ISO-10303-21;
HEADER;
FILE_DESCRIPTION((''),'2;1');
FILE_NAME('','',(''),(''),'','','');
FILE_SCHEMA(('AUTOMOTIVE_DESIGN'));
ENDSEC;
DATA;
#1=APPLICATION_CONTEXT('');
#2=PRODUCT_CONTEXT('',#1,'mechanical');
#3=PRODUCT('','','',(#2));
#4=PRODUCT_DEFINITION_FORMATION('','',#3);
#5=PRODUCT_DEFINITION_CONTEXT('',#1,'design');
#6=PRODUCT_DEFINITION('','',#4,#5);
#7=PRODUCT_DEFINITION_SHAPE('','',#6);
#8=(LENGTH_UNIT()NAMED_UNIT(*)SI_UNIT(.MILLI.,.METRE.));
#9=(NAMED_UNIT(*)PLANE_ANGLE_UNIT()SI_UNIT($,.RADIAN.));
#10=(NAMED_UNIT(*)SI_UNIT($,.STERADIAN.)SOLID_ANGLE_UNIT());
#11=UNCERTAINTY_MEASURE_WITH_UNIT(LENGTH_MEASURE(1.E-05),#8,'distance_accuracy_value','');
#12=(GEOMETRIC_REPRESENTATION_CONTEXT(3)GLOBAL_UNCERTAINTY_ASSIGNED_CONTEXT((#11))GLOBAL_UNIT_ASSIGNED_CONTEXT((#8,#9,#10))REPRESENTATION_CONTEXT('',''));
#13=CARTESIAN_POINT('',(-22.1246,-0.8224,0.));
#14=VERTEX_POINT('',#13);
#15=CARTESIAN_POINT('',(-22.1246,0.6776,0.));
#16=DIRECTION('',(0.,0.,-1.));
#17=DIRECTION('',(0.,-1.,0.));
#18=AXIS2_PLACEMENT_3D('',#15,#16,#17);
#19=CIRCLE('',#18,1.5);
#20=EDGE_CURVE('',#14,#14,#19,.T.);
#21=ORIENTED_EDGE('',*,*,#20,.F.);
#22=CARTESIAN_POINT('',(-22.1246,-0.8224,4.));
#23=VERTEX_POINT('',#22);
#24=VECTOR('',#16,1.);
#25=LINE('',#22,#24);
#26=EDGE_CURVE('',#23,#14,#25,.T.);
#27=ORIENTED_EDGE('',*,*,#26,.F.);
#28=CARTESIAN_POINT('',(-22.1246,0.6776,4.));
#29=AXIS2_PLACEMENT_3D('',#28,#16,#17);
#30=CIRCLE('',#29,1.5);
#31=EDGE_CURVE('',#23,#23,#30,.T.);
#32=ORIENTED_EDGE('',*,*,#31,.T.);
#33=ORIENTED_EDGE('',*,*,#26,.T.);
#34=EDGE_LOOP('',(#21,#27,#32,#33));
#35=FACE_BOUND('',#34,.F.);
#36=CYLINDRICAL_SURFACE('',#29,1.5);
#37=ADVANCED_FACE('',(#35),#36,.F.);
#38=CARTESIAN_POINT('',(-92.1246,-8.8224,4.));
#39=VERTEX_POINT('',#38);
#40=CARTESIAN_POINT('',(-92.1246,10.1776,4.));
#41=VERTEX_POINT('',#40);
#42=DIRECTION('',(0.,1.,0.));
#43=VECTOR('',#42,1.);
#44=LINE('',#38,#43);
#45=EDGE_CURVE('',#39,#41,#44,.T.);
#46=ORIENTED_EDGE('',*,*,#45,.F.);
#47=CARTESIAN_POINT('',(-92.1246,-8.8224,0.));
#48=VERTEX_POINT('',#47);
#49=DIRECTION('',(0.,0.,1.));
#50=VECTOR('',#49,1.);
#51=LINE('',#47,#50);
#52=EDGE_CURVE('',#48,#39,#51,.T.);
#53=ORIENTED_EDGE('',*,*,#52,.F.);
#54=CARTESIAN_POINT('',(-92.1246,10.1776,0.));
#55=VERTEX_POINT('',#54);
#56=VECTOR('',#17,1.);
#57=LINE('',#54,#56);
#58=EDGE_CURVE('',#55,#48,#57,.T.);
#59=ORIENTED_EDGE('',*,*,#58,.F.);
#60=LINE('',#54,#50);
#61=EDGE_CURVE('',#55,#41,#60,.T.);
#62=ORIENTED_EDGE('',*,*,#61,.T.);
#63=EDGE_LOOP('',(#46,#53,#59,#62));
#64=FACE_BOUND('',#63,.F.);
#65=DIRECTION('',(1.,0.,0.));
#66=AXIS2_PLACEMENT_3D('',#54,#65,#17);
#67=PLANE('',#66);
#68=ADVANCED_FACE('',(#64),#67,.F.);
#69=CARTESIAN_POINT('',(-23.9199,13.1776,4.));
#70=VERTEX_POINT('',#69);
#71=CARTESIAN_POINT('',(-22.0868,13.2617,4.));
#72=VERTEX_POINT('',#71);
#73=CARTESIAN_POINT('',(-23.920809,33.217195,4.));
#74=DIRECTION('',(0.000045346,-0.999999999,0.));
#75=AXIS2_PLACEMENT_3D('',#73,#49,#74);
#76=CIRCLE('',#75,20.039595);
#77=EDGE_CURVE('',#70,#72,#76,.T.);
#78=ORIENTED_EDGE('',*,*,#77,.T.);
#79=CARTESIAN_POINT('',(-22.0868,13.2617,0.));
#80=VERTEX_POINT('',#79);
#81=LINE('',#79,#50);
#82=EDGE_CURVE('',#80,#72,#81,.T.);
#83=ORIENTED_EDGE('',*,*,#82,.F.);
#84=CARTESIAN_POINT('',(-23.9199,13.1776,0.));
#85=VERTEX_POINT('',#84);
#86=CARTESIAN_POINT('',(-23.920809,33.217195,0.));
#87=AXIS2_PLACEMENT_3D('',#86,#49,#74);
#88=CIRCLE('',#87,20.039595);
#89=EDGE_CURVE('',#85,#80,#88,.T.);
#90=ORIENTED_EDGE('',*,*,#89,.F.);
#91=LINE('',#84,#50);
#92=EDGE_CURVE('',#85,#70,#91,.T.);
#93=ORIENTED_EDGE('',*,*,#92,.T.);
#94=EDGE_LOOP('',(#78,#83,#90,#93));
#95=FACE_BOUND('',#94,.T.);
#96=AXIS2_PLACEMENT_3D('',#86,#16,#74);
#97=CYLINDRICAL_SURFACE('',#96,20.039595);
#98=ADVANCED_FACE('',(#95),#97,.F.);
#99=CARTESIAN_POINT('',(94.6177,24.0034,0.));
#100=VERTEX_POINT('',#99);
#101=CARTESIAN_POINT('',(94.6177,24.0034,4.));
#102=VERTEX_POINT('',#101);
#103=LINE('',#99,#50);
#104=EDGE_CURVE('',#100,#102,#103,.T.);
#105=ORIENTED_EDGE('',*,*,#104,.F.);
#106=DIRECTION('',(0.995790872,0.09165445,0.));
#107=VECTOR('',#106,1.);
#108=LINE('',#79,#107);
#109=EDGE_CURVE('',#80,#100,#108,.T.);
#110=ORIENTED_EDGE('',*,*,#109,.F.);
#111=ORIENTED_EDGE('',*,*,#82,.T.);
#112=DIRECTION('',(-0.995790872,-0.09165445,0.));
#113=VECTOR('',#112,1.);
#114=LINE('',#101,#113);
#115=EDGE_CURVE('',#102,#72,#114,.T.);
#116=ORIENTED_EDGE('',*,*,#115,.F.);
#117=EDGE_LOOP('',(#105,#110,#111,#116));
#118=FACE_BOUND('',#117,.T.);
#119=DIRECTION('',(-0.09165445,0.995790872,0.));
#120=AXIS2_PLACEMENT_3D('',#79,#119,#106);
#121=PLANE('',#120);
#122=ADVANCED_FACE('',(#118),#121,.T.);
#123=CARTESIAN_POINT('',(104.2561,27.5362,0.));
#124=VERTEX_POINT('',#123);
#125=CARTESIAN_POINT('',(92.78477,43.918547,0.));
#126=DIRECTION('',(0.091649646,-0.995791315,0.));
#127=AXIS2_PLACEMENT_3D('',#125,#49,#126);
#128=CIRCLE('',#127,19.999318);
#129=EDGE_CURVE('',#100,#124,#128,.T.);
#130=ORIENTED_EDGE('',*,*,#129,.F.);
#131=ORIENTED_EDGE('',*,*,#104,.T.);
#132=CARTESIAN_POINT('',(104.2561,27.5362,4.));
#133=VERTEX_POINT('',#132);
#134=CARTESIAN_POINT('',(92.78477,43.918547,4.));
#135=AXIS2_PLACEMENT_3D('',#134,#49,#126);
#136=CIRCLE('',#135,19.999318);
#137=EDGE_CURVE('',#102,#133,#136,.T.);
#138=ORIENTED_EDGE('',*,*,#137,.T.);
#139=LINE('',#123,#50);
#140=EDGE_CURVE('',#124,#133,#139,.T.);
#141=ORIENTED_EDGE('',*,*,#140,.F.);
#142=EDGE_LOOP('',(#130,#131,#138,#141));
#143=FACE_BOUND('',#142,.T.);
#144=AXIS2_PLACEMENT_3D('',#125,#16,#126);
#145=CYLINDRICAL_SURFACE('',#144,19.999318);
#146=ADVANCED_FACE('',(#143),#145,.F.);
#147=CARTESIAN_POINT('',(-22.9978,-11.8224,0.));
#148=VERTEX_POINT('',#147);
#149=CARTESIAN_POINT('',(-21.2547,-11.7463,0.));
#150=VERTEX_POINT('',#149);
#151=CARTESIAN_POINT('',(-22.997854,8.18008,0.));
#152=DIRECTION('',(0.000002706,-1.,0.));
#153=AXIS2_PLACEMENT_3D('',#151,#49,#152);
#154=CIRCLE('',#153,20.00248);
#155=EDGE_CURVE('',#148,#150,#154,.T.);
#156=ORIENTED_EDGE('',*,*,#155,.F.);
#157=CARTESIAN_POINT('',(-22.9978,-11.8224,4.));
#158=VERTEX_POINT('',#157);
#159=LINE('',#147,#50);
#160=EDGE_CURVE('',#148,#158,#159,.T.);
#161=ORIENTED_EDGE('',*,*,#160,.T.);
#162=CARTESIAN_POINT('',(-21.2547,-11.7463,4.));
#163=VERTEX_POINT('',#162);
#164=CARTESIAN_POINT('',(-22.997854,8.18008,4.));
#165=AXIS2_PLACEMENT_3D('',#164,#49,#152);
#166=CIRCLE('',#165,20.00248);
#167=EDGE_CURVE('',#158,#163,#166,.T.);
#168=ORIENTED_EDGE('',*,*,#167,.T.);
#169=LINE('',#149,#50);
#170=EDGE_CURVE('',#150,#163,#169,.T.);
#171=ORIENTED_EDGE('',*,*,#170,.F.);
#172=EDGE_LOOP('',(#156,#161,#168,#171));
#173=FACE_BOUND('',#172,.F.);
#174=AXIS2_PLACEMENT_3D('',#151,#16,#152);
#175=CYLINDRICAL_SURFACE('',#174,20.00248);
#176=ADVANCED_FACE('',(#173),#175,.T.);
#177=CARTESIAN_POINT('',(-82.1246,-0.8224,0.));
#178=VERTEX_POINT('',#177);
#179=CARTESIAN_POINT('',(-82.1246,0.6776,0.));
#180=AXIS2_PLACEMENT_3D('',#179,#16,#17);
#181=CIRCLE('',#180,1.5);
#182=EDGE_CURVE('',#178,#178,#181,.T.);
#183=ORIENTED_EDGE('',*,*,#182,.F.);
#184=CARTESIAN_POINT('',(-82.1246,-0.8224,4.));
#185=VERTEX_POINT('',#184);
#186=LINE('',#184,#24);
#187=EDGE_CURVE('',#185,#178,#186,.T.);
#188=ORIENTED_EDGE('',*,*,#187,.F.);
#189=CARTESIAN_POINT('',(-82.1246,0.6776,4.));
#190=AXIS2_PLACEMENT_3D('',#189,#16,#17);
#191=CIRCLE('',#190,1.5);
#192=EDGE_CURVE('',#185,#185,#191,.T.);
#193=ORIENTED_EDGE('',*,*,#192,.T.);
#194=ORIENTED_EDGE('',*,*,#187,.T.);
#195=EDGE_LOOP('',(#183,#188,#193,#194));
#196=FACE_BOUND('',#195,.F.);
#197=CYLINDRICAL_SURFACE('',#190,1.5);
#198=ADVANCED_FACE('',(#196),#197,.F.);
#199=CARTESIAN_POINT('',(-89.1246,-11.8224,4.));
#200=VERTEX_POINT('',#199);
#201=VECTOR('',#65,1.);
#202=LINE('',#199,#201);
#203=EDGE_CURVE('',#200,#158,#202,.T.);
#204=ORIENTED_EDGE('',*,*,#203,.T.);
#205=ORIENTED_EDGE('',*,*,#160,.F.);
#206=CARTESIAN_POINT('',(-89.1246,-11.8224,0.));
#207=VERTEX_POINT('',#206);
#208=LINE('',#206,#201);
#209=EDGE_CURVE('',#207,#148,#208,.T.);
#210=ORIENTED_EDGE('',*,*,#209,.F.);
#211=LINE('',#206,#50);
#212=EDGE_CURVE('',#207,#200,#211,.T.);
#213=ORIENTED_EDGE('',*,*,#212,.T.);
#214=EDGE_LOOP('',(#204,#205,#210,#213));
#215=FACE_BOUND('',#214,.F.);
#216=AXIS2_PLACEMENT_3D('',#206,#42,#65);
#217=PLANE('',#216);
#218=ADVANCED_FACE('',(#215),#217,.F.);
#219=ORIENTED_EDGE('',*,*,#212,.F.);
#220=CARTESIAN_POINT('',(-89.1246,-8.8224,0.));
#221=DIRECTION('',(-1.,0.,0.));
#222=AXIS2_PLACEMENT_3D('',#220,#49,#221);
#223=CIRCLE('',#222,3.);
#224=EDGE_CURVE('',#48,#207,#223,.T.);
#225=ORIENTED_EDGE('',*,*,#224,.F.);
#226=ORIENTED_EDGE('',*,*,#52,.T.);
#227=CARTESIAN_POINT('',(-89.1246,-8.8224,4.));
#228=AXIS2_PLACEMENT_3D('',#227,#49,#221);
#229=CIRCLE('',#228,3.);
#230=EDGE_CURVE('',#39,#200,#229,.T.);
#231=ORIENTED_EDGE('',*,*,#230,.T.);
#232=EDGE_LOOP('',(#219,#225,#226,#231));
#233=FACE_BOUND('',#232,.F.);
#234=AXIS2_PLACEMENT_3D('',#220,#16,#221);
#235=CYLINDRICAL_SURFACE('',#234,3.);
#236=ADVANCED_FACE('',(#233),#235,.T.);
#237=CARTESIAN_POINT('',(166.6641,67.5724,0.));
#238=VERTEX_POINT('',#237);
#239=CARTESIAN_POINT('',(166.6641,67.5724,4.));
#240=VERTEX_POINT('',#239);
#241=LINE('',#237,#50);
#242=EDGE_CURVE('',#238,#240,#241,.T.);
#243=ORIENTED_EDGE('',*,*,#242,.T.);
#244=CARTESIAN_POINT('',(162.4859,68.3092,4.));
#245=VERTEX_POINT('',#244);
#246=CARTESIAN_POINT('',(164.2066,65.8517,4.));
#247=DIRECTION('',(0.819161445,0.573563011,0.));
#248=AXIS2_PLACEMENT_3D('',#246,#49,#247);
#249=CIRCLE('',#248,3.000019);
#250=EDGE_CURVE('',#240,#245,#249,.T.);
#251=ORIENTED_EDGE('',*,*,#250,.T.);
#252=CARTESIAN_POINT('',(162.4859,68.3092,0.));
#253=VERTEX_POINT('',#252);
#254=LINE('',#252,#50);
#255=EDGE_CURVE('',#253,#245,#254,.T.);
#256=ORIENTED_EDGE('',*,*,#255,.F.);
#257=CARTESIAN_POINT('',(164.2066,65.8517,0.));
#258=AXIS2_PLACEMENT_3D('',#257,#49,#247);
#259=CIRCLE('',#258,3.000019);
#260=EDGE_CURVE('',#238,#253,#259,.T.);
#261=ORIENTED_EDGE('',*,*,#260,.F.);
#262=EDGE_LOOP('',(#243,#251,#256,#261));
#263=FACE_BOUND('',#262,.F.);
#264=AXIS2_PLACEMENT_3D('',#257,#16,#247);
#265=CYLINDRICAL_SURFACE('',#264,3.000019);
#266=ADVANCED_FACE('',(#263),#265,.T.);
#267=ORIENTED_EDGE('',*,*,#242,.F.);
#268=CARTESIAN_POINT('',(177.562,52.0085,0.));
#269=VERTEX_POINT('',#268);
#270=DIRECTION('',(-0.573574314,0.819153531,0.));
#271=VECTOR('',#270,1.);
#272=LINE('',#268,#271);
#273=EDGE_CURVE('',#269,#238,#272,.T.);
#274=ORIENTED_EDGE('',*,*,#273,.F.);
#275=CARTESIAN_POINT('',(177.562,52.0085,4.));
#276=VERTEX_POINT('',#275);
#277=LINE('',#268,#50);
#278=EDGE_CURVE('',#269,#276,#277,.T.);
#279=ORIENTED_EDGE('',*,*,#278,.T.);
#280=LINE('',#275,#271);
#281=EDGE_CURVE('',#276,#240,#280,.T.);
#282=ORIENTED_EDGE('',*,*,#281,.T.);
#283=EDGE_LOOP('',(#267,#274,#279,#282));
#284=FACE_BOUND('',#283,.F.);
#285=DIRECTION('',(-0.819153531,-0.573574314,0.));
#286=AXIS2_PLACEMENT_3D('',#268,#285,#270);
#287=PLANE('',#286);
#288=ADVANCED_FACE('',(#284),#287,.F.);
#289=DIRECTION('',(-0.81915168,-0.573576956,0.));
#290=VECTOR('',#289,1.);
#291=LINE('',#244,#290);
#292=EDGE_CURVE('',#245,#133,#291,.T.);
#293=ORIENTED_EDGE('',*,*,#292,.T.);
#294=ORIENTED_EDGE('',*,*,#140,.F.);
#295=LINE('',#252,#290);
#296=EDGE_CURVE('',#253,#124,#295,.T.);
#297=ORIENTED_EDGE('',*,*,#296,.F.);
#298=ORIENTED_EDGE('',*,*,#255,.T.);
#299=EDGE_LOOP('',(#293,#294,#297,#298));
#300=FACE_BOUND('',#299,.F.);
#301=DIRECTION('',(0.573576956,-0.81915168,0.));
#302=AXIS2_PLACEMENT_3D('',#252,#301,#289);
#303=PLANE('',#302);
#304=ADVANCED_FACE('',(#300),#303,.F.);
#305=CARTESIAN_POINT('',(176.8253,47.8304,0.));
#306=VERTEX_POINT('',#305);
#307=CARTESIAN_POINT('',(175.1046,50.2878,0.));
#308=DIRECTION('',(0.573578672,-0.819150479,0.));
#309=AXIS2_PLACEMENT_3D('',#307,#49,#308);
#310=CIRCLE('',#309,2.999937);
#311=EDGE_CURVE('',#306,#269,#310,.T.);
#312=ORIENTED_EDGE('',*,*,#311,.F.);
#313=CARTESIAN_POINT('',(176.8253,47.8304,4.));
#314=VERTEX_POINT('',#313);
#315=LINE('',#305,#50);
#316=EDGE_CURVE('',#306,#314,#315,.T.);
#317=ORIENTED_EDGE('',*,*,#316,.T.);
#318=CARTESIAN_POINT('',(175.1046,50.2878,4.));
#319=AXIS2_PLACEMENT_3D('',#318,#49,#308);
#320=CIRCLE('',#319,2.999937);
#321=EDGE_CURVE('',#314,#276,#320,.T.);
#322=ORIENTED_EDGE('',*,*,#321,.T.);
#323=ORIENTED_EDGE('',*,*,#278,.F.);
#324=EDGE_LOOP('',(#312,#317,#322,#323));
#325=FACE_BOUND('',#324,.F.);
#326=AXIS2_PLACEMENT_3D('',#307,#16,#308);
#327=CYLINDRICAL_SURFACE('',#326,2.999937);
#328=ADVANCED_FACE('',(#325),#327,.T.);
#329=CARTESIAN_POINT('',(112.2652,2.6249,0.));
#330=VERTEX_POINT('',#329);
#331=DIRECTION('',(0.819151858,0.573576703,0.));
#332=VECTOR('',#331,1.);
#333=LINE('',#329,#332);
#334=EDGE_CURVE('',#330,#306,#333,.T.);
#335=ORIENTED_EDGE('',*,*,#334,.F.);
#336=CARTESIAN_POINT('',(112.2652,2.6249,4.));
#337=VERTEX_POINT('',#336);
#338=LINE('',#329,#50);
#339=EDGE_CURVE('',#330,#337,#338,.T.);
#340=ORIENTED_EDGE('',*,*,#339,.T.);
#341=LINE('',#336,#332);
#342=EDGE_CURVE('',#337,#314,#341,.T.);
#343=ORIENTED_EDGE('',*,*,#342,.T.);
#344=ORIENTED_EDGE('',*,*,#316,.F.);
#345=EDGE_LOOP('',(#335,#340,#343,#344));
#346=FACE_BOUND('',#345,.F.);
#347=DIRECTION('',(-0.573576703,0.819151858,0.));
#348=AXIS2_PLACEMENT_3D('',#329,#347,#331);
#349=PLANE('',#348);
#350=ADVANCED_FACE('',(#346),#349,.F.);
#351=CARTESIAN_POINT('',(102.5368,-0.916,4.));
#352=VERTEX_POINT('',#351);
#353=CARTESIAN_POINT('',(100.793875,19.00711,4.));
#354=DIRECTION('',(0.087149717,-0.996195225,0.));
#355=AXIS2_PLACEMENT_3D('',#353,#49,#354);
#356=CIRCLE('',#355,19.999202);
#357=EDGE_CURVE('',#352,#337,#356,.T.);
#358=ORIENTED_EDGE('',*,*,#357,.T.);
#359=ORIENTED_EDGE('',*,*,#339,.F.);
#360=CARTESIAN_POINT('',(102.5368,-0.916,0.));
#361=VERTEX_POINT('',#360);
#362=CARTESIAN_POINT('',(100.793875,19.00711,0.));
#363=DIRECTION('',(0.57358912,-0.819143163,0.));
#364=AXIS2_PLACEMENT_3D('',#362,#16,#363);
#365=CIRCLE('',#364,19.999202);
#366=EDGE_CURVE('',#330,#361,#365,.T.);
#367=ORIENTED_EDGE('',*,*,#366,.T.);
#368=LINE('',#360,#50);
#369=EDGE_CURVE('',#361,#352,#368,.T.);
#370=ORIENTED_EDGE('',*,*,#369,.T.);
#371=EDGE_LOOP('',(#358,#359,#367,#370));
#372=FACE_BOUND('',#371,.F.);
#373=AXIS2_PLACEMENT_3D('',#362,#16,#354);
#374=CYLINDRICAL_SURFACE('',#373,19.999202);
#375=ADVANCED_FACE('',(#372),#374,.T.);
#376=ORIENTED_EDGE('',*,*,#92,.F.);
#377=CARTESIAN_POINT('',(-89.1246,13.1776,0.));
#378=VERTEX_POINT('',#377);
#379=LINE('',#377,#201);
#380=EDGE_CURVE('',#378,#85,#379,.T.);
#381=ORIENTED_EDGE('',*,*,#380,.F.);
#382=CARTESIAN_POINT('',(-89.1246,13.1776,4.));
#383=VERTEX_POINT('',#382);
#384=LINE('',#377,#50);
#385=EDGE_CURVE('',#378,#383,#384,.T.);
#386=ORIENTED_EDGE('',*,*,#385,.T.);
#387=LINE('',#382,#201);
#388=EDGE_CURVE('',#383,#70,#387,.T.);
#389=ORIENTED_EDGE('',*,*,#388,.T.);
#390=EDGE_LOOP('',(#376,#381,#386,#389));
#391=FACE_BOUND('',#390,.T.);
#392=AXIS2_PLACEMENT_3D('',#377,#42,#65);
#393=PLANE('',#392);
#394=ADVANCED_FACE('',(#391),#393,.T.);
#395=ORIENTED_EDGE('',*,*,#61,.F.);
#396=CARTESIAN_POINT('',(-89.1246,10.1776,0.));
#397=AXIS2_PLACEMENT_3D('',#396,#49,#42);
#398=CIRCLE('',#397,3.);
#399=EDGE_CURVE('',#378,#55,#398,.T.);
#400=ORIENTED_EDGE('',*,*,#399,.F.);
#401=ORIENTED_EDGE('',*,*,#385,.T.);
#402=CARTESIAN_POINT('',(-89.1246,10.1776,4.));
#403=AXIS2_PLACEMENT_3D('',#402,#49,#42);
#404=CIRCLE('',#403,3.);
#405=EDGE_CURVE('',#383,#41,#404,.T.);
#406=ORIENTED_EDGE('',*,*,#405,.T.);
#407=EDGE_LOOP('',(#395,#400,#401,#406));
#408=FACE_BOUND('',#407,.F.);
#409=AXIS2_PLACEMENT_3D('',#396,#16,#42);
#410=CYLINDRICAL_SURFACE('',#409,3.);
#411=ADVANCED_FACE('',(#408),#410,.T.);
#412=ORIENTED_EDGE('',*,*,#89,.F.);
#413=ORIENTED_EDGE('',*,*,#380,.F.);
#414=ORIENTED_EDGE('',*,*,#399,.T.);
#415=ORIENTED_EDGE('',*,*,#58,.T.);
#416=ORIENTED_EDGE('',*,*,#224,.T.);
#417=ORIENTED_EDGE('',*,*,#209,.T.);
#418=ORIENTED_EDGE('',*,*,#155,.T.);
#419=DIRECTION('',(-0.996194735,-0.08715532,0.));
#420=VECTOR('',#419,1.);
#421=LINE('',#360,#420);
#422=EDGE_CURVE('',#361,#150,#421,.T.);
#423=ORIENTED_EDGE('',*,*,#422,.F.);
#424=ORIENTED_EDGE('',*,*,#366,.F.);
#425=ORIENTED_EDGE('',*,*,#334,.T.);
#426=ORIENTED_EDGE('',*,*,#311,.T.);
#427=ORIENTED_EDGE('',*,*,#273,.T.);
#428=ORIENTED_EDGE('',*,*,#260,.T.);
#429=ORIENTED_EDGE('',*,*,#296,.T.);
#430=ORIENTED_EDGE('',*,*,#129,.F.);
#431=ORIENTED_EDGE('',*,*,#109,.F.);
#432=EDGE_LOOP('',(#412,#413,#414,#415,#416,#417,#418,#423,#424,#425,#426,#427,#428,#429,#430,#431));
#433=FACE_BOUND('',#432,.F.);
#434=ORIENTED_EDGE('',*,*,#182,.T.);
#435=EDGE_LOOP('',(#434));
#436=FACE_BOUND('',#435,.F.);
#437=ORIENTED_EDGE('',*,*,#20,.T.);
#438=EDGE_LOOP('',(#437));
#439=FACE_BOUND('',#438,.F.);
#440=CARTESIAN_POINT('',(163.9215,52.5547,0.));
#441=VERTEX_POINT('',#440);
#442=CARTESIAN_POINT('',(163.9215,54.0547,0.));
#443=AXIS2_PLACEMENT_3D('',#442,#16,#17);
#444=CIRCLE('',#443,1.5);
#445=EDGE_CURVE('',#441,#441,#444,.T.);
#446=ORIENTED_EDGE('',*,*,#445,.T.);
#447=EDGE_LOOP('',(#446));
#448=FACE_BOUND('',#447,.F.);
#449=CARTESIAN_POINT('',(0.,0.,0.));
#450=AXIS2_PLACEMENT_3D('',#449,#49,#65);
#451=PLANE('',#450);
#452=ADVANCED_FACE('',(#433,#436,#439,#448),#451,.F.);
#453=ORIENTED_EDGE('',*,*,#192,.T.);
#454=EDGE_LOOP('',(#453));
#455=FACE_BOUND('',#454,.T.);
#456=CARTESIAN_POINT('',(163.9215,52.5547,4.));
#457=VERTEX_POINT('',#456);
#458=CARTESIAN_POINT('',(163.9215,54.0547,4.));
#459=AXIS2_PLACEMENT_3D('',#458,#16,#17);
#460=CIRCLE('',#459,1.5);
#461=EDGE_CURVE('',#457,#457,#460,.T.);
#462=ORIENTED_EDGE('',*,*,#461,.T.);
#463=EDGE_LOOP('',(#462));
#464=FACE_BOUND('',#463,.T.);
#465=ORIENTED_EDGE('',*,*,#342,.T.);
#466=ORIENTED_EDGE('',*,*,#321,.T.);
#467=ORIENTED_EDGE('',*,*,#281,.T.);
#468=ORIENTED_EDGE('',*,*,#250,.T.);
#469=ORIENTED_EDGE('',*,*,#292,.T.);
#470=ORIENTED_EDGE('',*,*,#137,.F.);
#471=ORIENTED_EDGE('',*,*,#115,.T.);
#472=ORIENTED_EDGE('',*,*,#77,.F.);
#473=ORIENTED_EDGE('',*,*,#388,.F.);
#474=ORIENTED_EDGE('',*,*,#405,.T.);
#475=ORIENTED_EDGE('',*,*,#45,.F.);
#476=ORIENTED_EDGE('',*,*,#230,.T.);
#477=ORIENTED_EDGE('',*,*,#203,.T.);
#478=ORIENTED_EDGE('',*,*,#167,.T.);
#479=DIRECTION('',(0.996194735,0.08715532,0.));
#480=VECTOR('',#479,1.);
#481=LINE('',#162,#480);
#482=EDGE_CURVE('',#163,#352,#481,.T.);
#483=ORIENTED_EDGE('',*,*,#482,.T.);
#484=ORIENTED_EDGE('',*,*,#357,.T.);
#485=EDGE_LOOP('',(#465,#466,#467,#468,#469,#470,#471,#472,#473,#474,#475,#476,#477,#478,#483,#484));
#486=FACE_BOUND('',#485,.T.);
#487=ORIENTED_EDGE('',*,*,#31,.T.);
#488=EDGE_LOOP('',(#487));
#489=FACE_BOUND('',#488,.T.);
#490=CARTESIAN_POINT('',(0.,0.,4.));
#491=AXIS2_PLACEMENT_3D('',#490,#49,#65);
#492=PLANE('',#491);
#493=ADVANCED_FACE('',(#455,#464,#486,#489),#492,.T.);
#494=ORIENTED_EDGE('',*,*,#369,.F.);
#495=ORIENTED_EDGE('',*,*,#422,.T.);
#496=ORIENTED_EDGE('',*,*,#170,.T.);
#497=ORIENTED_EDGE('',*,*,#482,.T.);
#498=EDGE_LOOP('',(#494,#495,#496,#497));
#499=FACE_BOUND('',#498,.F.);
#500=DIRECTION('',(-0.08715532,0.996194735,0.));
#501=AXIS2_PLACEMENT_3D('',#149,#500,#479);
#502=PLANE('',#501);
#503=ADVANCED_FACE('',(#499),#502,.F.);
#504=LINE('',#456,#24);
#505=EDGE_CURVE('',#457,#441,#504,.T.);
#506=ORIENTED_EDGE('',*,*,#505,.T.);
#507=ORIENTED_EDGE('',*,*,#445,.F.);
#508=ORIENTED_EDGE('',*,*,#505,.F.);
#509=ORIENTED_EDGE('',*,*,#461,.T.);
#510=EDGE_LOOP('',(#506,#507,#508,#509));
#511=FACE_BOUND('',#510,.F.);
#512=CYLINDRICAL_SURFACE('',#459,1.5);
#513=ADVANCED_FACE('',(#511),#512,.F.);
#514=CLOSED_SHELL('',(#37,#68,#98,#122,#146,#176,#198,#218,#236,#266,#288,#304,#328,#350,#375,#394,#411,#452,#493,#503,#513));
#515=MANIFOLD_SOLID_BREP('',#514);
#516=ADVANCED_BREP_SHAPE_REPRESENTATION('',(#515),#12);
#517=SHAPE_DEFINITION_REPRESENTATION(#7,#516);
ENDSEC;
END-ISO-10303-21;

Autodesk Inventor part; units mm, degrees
ref_plane "YZ Plane" through (0, 0, 0) normal (1, 0, 0) x (0, 1, 0)
ref_plane "XZ Plane" through (0, 0, 0) normal (0, 1, 0) x (-1, 0, 0)
ref_plane "XY Plane" through (0, 0, 0) normal (0, 0, 1) x (1, 0, 0)
sketch "Skizze1" plane through (0, 0, 0) normal (0, 0, 1) x (1, 0, 0)
  line L0 (-147.1517, 0) -> (233.6885, 0) projected
  line L1 (0, -28.9385) -> (0, 86.5246) projected
  line L2 (-92.1246, 10.1776) -> (-92.1246, -8.8224)
  line L3 (-89.1246, -11.8224) -> (-22.9978, -11.8224)
  line L4 (-21.2547, -11.7463) -> (102.5368, -0.916)
  line L5 (112.2652, 2.6249) -> (176.8253, 47.8304)
  line L6 (177.562, 52.0085) -> (166.6641, 67.5724)
  line L7 (162.4859, 68.3092) -> (104.2561, 27.5362)
  line L8 (-89.1246, 13.1776) -> (-23.9199, 13.1776)
  line L9 (-22.0868, 13.2617) -> (94.6177, 24.0034)
  arc A0 (-22.9978, -11.8224) -> (-21.2547, -11.7463) centre (-22.9978, 8.1776) ccw
  arc A1 (102.5368, -0.916) -> (112.2652, 2.6249) centre (100.7937, 19.0079) ccw
  arc A2 (94.6177, 24.0034) -> (104.2561, 27.5362) centre (92.7846, 43.9193) ccw
  arc A3 (-23.9199, 13.1776) -> (-22.0868, 13.2617) centre (-23.9199, 33.1776) ccw
  arc A4 (-89.1246, 13.1776) -> (-92.1246, 10.1776) centre (-89.1246, 10.1776) ccw
  arc A5 (-92.1246, -8.8224) -> (-89.1246, -11.8224) centre (-89.1246, -8.8224) ccw
  arc A6 (176.8253, 47.8304) -> (177.562, 52.0085) centre (175.1046, 50.2878) ccw
  arc A7 (166.6641, 67.5724) -> (162.4859, 68.3092) centre (164.2066, 65.8517) ccw
  point P0 (0, 0)
  point P1 (-92.1246, 13.1776)
  point P2 (-92.1246, -11.8224)
  point P3 (-22.1246, -11.8224)
  point P4 (107.8754, -0.4489)
  point P5 (179.2828, 49.5511)
  point P6 (164.9434, 70.0299)
  dimension "d0" = 25
  dimension "d1" = 25
  dimension "d4" = 70
  dimension "d5" = 175
  dimension "d6" = 130
  dimension "d7" = 150
  dimension "d8" = 50
  dimension "d9" = 20
  dimension "d10" = 0.259
  dimension "d13" = 3
extrude "Extrusion1" add sketch "Skizze1" along normal blind 4
sketch "Skizze2" plane through (0, 0, 4) normal (0, 0, 1) x (1, 0, 0)
  line L0 (-23.9199, 13.1776) -> (-89.1246, 13.1776) projected
  line L1 (-92.1246, 10.1776) -> (-92.1246, -8.8224) projected
  line L2 (177.562, 52.0085) -> (166.6641, 67.5724) projected
  line L3 (112.2652, 2.6249) -> (176.8253, 47.8304) projected
  point P0 (0, 0)
  point P1 (-82.1246, 0.6776)
  point P2 (-22.1246, 0.6776)
  point P3 (163.9215, 54.0547)
  dimension "d14" = 12.5
  dimension "d15" = 10
  dimension "d16" = 60
  dimension "d17" = 12.5
  dimension "d18" = 10
  dimension "d19" = 12.5
hole "Bohrung1" at (-82.1246, 0.6776, 4) at (-22.1246, 0.6776, 4) at (163.9215, 54.0547, 4) direction (0, 0, -1) diameter 3 depth 57.1 tip angle 118
properties part number "Träger vorne unten geknickt"
